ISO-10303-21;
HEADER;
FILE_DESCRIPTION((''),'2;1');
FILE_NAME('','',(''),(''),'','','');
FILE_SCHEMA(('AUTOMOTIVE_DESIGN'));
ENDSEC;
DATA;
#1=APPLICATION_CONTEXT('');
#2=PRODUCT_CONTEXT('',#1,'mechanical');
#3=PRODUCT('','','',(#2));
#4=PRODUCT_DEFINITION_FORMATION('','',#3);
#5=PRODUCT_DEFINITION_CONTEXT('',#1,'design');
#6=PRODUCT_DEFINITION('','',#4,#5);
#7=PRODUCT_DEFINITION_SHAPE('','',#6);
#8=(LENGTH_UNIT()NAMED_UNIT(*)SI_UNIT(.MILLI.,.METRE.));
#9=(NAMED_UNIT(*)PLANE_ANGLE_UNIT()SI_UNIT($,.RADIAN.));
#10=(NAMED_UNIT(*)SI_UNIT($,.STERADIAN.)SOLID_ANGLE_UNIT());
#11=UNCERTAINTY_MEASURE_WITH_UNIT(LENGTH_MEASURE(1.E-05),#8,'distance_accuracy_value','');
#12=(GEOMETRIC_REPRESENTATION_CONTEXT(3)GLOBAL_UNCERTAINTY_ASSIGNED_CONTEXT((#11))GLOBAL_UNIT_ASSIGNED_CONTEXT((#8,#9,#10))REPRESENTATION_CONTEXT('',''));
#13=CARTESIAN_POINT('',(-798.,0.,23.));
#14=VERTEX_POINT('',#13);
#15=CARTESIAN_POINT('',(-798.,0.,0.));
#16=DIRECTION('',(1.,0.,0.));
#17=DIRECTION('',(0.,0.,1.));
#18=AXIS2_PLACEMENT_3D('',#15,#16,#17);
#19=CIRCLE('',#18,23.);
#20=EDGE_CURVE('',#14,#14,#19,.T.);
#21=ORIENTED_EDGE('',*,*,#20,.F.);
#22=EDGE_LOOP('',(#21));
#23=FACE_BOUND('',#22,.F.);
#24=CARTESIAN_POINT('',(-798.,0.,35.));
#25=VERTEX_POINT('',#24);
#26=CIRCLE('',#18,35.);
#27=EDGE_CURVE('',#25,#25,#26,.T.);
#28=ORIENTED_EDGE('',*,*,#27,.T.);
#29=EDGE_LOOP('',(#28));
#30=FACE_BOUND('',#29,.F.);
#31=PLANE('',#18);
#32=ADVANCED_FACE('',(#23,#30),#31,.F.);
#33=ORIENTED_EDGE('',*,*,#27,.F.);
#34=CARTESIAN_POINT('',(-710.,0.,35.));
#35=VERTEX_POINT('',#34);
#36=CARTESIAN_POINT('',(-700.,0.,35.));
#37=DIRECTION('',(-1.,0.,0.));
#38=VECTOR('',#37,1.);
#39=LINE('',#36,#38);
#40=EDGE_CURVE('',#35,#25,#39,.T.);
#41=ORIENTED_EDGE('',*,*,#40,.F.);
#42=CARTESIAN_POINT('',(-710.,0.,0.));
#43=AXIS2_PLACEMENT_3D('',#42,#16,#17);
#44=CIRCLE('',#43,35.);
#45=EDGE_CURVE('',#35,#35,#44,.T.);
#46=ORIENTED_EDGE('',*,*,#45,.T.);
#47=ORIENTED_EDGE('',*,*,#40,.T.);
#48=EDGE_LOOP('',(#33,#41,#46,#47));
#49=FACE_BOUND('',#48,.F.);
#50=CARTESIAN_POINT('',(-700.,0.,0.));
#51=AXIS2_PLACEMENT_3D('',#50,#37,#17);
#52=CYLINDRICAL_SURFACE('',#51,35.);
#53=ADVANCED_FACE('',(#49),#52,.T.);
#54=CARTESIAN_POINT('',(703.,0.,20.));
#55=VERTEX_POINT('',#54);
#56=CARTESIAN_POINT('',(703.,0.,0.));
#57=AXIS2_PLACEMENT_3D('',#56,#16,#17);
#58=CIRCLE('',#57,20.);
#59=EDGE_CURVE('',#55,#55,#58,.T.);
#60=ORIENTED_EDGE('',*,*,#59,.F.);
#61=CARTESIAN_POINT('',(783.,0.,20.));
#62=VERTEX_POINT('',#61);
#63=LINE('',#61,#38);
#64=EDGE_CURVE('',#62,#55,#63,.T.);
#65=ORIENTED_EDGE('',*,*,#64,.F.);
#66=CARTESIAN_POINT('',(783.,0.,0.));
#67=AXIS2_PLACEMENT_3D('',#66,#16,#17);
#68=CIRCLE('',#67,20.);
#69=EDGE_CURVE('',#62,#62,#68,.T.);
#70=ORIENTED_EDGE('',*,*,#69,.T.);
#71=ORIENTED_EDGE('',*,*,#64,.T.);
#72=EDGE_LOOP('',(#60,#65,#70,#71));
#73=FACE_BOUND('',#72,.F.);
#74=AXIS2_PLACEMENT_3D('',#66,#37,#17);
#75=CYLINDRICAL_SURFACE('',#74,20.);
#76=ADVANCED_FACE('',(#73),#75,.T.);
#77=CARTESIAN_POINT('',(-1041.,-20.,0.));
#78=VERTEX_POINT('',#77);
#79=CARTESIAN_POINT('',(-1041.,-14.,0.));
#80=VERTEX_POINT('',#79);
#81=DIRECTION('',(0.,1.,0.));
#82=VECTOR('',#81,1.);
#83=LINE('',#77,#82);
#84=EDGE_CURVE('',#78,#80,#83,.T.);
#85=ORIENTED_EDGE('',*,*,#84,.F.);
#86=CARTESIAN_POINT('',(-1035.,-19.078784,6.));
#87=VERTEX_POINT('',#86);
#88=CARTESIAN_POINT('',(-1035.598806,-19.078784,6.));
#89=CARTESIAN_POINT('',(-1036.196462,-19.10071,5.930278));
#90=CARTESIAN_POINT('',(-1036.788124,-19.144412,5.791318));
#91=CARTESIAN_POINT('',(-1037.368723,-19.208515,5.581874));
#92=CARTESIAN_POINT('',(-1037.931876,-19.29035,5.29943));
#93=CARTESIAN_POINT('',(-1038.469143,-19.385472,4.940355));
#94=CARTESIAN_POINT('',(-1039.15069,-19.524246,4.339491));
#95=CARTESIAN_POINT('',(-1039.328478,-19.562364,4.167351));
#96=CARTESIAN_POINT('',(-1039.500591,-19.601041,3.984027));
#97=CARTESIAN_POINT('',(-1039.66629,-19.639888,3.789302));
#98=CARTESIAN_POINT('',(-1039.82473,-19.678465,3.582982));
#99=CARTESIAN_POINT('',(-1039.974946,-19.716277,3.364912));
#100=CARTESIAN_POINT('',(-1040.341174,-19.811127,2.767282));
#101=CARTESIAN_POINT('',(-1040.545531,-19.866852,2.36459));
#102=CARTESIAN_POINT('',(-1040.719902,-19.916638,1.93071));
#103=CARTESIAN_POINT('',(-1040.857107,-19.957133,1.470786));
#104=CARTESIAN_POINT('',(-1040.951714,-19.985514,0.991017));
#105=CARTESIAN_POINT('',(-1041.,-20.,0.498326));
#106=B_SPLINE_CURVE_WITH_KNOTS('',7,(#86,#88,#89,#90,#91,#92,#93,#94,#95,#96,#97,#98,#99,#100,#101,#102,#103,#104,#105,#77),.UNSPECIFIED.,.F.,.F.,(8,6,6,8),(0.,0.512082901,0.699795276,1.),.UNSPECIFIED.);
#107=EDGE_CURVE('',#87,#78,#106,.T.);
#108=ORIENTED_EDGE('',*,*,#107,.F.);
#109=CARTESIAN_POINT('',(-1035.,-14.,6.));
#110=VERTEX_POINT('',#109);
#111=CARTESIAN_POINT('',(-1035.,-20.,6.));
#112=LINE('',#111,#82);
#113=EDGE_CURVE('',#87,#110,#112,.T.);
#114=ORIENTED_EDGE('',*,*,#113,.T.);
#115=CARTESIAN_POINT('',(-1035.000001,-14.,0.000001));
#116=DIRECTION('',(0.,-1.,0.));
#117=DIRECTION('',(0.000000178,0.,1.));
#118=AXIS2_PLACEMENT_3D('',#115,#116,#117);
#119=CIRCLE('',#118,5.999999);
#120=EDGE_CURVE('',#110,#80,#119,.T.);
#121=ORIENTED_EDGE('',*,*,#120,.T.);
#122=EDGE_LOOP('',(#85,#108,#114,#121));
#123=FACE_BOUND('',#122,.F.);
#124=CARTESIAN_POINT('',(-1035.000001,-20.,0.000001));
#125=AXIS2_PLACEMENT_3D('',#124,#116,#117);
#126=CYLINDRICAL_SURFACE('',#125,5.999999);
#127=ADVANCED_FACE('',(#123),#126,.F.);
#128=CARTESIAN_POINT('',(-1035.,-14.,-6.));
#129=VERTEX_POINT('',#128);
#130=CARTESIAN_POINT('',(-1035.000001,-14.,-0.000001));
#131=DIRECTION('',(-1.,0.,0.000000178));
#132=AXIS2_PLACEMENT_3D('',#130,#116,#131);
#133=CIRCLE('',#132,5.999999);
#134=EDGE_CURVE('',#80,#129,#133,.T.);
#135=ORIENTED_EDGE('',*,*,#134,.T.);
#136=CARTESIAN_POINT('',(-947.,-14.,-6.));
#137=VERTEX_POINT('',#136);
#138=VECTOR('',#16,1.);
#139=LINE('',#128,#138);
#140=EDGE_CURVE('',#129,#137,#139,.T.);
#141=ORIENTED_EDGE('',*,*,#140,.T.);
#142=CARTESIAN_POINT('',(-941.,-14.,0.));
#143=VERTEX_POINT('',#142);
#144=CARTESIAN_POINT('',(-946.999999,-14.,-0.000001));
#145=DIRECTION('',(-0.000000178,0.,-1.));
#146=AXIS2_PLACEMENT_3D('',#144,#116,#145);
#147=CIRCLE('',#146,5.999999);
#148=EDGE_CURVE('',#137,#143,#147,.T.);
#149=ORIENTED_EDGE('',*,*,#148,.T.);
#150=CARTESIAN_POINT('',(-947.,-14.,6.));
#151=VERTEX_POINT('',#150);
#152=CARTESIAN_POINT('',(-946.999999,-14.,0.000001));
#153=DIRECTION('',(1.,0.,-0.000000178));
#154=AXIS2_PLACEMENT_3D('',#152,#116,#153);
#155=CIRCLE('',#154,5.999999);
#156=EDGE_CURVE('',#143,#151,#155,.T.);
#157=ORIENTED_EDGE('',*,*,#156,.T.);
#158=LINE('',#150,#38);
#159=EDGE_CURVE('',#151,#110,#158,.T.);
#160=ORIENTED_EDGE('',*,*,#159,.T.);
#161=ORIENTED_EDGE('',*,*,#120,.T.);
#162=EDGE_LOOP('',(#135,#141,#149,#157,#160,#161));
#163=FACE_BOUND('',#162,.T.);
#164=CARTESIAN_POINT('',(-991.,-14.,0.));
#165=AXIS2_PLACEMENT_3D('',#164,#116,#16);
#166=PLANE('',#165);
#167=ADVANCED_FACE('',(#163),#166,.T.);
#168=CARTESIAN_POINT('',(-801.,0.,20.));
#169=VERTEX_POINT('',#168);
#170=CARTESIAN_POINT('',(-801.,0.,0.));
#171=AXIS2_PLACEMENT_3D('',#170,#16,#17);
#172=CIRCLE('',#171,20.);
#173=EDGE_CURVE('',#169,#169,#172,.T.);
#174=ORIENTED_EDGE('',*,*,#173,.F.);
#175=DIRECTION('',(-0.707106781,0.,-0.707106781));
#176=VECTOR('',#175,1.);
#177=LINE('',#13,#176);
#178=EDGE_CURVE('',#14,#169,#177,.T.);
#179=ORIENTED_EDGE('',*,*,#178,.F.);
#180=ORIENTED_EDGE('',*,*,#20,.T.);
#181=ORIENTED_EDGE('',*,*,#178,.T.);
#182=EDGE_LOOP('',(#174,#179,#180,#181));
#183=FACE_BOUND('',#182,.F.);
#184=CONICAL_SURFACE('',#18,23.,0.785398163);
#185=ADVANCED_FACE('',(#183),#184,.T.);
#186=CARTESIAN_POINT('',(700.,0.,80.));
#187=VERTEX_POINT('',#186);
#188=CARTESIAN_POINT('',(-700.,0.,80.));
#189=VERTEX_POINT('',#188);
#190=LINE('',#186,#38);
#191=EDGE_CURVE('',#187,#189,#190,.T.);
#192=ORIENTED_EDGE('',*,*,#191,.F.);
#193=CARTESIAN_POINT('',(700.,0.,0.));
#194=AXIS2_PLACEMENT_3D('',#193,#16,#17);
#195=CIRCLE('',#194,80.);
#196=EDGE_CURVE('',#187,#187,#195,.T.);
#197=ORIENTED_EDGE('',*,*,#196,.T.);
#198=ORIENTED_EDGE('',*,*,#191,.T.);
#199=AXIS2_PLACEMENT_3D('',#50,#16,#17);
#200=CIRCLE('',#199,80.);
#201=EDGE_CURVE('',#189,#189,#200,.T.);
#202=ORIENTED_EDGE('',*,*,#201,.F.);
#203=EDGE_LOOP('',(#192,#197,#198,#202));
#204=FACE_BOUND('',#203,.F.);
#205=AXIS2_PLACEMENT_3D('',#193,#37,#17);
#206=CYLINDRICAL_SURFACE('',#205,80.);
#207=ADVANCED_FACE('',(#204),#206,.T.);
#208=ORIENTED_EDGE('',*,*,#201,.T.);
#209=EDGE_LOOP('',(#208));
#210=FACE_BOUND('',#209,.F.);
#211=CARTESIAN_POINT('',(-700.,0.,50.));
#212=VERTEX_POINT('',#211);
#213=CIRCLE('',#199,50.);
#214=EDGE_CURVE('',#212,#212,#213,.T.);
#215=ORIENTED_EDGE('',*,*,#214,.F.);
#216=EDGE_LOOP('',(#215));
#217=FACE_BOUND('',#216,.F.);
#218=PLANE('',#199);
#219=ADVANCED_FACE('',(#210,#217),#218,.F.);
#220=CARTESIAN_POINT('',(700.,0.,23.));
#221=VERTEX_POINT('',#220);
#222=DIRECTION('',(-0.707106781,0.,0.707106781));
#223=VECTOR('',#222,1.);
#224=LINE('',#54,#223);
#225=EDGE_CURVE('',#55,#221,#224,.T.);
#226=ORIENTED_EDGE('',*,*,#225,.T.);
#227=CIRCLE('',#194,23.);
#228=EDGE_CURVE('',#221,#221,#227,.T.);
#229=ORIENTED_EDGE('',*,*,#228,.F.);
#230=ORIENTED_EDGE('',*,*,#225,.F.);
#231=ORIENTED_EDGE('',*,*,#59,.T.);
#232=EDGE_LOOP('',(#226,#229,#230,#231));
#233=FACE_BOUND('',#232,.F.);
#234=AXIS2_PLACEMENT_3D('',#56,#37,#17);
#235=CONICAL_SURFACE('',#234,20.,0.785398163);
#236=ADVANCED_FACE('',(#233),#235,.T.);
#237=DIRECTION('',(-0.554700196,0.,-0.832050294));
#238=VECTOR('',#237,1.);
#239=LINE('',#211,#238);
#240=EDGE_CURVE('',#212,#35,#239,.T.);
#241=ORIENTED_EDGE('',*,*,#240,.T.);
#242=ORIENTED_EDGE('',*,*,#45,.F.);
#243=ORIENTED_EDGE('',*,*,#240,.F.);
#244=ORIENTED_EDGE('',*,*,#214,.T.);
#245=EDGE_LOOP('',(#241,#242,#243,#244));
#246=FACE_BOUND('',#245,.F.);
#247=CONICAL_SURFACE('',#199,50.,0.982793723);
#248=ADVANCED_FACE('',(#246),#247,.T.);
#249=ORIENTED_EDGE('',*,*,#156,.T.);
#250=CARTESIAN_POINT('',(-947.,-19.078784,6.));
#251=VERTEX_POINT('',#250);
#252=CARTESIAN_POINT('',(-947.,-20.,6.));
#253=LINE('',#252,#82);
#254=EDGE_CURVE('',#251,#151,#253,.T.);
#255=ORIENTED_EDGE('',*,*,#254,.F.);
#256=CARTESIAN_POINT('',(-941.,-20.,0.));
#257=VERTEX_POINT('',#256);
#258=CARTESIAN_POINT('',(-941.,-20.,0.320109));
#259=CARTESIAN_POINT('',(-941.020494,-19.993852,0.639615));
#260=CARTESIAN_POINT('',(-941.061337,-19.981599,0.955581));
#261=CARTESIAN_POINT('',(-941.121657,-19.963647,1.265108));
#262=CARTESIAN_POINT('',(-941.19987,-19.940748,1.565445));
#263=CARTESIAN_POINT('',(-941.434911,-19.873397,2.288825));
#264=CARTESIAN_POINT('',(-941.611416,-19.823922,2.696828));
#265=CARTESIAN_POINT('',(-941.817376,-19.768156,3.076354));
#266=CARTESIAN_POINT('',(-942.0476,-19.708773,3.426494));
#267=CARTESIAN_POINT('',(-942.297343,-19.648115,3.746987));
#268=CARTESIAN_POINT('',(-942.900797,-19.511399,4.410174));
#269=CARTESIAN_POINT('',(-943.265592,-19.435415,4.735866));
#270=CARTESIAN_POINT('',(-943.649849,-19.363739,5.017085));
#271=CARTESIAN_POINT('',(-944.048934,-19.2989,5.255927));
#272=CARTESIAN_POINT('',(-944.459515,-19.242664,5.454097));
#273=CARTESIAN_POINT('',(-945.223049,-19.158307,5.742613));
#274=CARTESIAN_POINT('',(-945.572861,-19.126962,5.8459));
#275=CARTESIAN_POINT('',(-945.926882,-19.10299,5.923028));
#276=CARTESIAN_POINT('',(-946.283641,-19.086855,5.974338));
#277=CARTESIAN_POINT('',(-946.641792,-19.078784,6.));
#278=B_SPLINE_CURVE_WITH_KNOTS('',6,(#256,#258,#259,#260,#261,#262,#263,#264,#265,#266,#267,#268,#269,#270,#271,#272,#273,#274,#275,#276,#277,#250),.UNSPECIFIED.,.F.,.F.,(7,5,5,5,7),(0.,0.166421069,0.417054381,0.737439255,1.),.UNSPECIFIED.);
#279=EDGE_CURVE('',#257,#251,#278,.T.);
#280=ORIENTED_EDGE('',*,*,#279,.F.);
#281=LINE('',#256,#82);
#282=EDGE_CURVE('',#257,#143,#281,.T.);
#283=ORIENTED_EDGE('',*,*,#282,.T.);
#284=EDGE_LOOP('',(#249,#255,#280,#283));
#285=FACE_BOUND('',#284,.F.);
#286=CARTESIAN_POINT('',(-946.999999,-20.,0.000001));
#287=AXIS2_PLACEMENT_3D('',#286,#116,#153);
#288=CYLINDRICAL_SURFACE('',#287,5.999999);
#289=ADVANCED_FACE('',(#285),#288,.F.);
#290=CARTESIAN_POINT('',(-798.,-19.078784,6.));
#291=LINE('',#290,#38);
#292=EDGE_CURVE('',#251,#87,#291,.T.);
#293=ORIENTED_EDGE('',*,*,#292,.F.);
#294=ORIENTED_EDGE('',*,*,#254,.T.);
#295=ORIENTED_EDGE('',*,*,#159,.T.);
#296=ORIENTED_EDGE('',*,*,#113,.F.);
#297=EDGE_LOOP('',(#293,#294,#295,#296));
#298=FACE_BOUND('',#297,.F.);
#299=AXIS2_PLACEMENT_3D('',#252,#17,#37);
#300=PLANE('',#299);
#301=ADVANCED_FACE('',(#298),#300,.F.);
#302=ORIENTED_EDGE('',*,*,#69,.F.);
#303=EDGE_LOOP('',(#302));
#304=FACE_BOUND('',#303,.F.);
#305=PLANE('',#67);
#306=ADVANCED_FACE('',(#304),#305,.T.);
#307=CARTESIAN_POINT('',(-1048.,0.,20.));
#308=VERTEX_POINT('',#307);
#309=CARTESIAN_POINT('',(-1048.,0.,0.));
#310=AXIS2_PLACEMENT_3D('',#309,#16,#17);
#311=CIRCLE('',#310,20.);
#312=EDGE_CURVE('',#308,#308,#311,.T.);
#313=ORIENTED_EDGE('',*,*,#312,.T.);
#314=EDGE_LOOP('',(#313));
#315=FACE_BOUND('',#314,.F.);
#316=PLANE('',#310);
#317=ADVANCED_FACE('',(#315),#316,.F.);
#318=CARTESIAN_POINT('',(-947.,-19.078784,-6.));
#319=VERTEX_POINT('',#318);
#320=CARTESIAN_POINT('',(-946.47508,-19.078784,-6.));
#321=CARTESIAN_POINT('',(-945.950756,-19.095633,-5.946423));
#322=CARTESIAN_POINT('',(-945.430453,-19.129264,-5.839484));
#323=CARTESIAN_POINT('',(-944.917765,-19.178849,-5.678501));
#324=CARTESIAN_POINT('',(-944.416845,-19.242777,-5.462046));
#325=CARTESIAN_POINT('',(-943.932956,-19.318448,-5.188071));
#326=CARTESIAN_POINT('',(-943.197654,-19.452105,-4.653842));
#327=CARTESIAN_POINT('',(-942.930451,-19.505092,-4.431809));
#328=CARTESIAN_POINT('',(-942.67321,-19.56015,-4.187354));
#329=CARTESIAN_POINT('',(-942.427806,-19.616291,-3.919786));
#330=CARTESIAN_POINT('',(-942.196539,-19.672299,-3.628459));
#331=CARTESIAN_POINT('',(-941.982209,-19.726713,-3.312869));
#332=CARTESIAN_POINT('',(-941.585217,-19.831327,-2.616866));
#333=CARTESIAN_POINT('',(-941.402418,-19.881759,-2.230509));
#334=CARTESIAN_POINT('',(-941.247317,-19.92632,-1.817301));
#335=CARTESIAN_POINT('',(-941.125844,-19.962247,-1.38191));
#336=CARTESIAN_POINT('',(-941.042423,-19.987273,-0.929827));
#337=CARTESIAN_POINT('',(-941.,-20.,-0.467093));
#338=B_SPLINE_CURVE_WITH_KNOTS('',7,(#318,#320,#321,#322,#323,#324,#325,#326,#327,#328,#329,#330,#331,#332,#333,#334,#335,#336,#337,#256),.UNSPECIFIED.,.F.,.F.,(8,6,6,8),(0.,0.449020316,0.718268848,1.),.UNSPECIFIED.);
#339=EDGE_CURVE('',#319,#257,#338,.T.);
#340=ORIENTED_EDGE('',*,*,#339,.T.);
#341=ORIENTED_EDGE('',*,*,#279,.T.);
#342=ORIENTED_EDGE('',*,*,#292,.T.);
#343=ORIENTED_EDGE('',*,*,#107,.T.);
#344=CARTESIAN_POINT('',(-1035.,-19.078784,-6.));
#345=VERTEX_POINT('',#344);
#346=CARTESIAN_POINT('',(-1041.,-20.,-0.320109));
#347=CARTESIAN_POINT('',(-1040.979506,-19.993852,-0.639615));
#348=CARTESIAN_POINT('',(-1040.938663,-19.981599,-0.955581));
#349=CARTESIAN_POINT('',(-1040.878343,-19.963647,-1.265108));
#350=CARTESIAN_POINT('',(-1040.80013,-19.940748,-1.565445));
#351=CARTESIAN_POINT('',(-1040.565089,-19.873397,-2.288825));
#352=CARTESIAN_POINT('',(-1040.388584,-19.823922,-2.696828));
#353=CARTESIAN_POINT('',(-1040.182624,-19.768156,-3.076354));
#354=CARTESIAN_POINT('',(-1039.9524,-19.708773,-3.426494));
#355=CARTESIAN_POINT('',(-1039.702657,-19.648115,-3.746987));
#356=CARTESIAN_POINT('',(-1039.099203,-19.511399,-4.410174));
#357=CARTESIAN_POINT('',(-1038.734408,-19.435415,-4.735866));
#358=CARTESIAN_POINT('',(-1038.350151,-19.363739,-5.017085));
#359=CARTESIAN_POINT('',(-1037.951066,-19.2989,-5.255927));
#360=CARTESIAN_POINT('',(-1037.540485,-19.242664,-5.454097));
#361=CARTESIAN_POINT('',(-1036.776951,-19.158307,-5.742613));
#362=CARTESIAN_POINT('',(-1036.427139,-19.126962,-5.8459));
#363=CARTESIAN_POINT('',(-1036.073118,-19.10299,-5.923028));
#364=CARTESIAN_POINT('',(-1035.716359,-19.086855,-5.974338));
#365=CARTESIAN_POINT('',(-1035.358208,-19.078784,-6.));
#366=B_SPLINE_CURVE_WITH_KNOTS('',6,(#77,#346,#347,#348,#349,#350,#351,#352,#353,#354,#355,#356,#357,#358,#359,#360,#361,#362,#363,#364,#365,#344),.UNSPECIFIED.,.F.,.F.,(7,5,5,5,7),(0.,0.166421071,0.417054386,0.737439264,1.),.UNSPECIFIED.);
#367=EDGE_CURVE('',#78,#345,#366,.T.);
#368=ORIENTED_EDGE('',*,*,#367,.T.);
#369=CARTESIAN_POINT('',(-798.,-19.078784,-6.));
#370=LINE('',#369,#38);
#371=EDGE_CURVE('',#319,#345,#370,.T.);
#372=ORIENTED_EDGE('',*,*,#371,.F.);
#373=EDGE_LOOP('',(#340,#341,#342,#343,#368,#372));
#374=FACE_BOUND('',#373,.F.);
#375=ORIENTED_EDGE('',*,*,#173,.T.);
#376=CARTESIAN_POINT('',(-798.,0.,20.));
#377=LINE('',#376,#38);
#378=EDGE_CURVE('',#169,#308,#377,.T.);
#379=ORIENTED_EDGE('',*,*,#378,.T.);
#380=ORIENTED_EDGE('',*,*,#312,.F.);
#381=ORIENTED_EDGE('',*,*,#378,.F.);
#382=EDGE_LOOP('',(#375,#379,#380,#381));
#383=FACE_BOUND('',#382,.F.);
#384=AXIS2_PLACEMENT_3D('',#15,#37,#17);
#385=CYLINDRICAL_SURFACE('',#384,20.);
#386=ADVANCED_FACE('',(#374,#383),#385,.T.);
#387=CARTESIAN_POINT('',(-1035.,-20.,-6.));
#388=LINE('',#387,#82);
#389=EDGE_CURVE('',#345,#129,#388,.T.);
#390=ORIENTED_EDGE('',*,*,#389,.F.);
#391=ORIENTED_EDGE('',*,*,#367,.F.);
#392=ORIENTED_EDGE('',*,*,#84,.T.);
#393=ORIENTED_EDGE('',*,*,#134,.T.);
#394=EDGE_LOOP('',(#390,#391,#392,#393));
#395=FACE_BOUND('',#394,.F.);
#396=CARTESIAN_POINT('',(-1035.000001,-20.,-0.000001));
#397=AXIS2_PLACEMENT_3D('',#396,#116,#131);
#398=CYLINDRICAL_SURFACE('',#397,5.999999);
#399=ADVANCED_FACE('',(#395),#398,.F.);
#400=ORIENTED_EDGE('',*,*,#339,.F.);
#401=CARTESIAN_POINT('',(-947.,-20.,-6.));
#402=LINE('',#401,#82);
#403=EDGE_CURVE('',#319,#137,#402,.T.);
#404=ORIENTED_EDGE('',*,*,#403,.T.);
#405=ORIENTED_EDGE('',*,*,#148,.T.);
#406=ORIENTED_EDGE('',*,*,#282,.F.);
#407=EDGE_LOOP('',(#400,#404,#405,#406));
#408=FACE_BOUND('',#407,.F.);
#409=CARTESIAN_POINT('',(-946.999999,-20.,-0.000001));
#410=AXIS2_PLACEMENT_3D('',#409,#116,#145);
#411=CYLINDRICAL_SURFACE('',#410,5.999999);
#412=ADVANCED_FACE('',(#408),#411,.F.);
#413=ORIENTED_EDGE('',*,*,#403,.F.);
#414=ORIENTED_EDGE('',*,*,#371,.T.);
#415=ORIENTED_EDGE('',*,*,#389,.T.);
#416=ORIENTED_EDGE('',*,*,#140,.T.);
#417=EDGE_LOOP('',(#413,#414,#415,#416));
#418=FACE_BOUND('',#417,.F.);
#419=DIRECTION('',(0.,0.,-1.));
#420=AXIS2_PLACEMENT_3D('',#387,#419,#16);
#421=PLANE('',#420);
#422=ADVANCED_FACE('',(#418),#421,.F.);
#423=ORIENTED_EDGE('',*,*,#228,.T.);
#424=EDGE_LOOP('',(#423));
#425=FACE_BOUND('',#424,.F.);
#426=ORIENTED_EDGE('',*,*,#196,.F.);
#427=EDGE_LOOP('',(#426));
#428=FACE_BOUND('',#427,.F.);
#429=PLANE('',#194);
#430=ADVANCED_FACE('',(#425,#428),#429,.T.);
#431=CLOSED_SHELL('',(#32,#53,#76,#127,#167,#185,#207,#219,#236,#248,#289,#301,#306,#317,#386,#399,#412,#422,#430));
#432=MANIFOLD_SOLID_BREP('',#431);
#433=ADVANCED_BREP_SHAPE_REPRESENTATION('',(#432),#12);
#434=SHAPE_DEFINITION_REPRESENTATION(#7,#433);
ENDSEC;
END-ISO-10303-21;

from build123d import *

# Parameters (mm, degrees)
F4_DEPTH = 6


with BuildPart() as f1:
    # F0 (on Front) → F1 (revolve)
    with BuildSketch(Plane.XZ):
        Polygon((-1048, 0), (0, 0), (783, 0), (783, 20), (703, 20), (700, 20), (700, 23), (700, 80), (-700, 80), (-700, 50), (-700, 35), (-710, 35), (-798, 35), (-798, 23), (-798, 20), (-801, 20), (-1048, 20), align=None)
        Polygon((700, 20), (703, 20), (700, 23), align=None)
        Polygon((-798, 23), (-801, 20), (-798, 20), align=None)
        Polygon((-700, 50), (-710, 35), (-700, 35), align=None)
    revolve(axis=Axis((391.5, 0, 0), (1, 0, 0)))

    # F3 (on offset) → F4 (cut)
    with BuildSketch(Plane.XZ.offset(20)):
        with BuildLine():
            ThreePointArc((-941, 0), (-942.757359, 4.242641), (-947, 6))
            Line((-947, 6), (-1035, 6))
            ThreePointArc((-1035, 6), (-1039.242641, 4.242641), (-1041, 0))
            ThreePointArc((-1041, 0), (-1039.242641, -4.242641), (-1035, -6))
            Line((-1035, -6), (-947, -6))
            ThreePointArc((-947, -6), (-942.757359, -4.242641), (-941, 0))
        make_face()
    extrude(amount=-F4_DEPTH, mode=Mode.SUBTRACT)


solid = f1.part
